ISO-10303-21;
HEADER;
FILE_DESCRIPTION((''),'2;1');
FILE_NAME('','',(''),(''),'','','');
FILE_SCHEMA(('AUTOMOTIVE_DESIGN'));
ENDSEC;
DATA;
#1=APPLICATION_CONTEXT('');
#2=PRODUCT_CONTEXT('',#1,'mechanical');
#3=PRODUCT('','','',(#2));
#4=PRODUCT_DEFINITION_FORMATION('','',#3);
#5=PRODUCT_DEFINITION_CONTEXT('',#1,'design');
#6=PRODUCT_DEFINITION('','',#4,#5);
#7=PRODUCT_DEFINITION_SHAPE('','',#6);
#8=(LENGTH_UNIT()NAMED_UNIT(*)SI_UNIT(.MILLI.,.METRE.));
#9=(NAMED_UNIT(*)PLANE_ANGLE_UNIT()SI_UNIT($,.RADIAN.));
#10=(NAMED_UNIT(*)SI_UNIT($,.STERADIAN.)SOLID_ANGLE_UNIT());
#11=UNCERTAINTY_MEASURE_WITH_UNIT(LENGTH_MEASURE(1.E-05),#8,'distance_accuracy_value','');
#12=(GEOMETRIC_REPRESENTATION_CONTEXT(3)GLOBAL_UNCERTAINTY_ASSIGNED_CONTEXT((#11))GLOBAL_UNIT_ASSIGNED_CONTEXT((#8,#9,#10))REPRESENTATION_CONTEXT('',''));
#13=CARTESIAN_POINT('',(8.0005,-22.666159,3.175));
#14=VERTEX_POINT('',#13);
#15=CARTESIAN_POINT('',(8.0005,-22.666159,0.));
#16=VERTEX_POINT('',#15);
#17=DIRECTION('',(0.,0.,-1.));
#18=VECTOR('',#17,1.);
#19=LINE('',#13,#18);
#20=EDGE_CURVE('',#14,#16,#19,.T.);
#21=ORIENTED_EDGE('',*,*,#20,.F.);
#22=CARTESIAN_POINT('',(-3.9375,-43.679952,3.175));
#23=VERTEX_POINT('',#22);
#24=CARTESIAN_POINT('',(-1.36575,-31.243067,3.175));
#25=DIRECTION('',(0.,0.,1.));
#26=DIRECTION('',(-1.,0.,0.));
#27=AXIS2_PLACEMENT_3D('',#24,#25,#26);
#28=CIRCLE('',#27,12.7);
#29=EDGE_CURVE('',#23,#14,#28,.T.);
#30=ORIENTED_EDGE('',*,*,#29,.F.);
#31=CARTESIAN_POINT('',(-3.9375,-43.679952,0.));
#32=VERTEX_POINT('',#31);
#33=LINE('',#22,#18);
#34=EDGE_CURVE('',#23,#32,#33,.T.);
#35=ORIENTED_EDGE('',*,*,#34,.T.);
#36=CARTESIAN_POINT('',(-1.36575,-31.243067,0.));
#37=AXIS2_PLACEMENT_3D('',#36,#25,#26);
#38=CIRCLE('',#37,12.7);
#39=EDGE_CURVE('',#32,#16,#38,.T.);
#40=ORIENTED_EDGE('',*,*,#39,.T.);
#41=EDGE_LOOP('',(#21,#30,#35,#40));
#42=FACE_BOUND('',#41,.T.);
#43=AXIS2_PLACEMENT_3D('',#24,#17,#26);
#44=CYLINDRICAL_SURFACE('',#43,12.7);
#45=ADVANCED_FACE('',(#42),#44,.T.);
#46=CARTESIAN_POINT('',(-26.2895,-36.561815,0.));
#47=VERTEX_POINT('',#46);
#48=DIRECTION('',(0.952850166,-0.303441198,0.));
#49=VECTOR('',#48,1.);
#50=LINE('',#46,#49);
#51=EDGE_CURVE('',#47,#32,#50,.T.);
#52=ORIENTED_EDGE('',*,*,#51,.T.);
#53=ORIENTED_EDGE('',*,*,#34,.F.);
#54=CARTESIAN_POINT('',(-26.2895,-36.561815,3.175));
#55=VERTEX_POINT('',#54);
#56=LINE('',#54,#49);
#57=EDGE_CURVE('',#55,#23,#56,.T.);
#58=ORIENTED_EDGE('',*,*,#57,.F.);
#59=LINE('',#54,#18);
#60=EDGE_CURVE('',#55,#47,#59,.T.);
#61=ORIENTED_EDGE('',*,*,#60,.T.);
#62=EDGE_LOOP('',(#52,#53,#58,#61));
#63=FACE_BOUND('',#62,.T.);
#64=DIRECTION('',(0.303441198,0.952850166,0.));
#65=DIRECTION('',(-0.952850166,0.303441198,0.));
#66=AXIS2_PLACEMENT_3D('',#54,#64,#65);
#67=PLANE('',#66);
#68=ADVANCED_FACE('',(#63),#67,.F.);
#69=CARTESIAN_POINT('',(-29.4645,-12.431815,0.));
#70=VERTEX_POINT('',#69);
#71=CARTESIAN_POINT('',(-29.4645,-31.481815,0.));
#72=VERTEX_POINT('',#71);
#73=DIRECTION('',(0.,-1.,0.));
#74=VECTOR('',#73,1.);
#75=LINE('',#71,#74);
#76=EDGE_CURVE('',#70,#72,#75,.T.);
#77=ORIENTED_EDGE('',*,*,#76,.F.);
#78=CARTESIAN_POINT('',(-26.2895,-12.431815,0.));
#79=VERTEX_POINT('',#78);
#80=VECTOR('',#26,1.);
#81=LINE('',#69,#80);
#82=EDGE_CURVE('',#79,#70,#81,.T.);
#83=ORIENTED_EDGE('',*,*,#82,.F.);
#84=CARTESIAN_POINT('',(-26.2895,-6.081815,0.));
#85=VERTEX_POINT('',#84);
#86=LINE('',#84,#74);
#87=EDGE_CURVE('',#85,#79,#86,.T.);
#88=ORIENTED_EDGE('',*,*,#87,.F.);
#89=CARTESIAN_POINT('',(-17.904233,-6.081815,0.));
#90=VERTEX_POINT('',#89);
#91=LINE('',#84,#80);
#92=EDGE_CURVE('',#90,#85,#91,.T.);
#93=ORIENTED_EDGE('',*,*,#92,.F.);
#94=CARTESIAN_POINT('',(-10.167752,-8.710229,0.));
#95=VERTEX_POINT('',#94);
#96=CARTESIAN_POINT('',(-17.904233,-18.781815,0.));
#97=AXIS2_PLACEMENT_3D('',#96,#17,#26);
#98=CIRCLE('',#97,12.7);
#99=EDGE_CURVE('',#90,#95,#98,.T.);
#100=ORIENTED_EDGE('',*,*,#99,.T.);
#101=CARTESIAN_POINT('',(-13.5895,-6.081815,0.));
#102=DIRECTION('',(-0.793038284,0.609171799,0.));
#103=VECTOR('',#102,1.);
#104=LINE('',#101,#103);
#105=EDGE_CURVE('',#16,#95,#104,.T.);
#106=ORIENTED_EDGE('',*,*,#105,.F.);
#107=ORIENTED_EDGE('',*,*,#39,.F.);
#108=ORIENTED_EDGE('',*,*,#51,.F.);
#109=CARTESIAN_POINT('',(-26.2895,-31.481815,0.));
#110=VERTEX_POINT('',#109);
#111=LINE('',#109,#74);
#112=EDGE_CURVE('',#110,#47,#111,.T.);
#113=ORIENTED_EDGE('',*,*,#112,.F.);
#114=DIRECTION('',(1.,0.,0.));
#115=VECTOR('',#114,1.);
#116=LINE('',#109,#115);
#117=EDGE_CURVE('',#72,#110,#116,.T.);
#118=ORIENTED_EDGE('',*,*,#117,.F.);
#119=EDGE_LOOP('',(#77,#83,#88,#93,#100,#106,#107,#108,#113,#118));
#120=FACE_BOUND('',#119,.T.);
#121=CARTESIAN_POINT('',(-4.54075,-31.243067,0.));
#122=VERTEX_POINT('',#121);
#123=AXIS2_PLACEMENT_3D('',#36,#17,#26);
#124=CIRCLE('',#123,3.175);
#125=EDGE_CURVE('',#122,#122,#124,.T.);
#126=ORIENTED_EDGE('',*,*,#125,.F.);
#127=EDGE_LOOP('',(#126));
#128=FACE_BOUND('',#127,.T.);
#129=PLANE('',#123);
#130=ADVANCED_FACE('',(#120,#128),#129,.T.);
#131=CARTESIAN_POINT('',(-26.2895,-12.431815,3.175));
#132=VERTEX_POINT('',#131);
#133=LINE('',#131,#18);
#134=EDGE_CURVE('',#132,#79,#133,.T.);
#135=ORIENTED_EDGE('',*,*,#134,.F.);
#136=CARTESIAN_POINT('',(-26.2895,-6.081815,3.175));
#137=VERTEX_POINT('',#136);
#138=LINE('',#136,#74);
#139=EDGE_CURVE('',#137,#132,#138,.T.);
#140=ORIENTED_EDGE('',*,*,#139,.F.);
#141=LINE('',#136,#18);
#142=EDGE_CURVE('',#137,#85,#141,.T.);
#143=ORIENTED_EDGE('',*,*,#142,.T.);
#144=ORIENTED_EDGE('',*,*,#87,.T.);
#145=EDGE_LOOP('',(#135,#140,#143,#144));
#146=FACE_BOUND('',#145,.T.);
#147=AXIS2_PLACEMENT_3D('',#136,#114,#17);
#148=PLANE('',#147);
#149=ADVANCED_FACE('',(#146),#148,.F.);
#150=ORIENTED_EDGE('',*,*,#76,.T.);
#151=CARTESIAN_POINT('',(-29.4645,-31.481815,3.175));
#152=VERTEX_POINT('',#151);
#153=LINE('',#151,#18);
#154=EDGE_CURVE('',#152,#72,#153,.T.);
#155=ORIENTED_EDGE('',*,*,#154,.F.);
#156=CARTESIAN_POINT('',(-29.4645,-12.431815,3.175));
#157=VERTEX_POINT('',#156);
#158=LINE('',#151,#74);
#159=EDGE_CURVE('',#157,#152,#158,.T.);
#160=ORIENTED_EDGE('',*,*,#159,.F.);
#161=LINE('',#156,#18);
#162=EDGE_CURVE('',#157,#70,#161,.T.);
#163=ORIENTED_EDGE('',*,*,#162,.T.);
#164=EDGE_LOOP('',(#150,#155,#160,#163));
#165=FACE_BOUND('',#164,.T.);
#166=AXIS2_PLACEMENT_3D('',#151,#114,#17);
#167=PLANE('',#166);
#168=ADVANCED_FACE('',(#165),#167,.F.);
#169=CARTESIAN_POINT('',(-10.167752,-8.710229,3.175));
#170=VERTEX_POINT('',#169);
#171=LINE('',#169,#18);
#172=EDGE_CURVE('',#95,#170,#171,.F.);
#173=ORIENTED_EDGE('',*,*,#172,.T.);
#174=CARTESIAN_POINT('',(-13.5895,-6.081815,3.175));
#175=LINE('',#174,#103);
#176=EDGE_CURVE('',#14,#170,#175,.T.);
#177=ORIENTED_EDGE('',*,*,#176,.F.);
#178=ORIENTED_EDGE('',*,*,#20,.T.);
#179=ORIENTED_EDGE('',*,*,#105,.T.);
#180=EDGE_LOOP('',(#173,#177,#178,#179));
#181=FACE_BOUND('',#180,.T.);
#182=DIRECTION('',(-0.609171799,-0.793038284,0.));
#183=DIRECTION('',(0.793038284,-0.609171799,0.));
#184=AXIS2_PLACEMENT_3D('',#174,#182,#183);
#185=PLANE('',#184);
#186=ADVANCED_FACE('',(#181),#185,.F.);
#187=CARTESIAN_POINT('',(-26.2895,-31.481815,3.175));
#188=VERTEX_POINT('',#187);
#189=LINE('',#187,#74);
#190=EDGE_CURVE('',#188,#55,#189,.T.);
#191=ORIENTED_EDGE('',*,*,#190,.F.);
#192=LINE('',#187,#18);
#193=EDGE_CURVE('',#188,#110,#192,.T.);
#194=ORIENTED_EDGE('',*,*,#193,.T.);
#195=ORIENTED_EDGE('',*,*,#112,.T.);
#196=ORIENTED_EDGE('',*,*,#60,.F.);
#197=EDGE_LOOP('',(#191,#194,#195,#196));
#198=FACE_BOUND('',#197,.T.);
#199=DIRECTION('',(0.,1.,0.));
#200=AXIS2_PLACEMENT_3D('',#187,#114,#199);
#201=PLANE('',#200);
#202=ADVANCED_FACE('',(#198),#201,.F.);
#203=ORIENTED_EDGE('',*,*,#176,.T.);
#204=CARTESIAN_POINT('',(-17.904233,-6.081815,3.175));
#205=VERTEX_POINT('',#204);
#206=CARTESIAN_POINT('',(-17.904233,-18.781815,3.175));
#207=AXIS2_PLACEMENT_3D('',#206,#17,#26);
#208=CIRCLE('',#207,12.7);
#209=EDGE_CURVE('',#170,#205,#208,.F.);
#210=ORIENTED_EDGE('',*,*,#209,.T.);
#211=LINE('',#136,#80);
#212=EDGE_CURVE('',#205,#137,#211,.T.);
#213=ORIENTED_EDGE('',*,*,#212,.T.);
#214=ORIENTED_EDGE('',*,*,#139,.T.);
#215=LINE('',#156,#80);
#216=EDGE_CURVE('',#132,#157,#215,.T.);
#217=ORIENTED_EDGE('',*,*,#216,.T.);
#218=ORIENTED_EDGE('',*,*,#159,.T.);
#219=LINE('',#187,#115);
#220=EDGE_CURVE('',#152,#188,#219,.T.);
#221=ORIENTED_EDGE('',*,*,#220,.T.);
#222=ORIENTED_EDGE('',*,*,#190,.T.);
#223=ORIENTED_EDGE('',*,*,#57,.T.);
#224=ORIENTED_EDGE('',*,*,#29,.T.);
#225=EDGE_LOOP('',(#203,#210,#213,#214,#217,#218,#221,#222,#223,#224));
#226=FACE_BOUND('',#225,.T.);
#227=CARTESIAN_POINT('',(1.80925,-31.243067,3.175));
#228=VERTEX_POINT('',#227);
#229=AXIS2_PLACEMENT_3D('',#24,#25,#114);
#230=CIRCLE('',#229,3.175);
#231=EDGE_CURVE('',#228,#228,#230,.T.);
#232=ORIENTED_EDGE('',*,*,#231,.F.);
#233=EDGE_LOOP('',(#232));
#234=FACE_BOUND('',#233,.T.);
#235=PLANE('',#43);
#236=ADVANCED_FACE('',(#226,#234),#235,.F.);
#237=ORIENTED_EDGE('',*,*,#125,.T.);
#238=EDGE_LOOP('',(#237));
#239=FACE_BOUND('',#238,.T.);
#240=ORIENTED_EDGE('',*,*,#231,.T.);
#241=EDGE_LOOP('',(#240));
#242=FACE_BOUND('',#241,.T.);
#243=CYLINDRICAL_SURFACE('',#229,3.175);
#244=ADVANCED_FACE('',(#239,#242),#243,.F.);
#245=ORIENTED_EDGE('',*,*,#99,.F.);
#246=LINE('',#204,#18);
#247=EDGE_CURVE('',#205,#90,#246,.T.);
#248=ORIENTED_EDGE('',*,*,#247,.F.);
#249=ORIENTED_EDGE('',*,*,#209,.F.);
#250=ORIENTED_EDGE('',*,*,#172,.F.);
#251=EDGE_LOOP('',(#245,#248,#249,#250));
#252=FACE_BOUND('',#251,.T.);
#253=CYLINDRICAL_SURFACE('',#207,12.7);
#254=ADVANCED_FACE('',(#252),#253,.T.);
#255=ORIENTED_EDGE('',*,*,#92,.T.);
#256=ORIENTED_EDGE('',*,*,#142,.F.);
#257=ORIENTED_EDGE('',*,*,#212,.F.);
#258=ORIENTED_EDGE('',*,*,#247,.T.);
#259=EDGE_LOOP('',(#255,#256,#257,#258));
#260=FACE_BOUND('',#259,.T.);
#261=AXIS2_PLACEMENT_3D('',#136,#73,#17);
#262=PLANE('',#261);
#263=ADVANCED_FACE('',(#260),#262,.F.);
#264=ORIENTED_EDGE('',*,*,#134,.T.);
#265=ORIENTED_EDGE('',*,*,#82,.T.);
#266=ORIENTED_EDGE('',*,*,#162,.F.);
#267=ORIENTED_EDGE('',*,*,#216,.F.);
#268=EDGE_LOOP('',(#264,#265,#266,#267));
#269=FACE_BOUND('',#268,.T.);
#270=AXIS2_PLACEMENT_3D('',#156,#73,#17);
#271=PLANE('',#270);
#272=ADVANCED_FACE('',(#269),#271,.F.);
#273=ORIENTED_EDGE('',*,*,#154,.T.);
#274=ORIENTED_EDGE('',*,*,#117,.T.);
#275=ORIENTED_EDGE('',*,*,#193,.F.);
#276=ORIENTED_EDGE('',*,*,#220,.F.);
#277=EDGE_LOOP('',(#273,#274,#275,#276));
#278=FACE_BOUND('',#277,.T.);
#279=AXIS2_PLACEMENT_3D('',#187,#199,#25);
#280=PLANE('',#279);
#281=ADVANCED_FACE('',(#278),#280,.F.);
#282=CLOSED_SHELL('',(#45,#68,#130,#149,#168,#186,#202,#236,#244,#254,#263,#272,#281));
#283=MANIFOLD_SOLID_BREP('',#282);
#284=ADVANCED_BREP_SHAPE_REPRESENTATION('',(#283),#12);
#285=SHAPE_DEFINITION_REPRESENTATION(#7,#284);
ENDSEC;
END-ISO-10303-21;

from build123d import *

# Parameters (mm, degrees)
BOSS_EXTRUDE1_DEPTH             = 3.175
F_1_4_0_25_DIAMETER_HOLE1_D     = 6.35
F_1_4_0_25_DIAMETER_HOLE1_DEPTH = 9.268267535
F_1_4_0_25_DIAMETER_HOLE1_TIP   = 1.907732465
FILLET1_R                       = 12.7


with BuildPart() as part:
    # Sketch1 → Boss-Extrude1 (new body)
    with BuildSketch(Plane.XY):
        with BuildLine():
            Line((-26.289500227, -31.481815247), (-29.464500227, -31.481815247))
            Line((-29.464500227, -31.481815247), (-29.464500227, -12.431815247))
            Line((-29.464500227, -12.431815247), (-26.289500227, -12.431815247))
            Line((-26.289500227, -12.431815247), (-26.289500227, -6.081815247))
            Line((-26.289500227, -6.081815247), (-13.589500227, -6.081815247))
            Line((-13.589500227, -6.081815247), (8.000499773, -22.666158546))
            ThreePointArc((8.000499773, -22.666158546), (9.676721644, -37.516329042), (-3.937500227, -43.67995187))
            Line((-3.937500227, -43.67995187), (-26.289500227, -36.561815247))
            Line((-26.289500227, -36.561815247), (-26.289500227, -31.481815247))
        make_face()
    extrude(amount=BOSS_EXTRUDE1_DEPTH)

    # 1/4 (0.25) Diameter Hole1
    with Locations(Plane.XY.offset(3.175)):
        with Locations((-1.365750227, -31.243067134)):
            Hole(F_1_4_0_25_DIAMETER_HOLE1_D / 2, depth=F_1_4_0_25_DIAMETER_HOLE1_DEPTH)
            with Locations((0, 0, -(F_1_4_0_25_DIAMETER_HOLE1_DEPTH + F_1_4_0_25_DIAMETER_HOLE1_TIP / 2))):  # 118° drill point
                Cone(0, F_1_4_0_25_DIAMETER_HOLE1_D / 2, F_1_4_0_25_DIAMETER_HOLE1_TIP, mode=Mode.SUBTRACT)

    # Fillet1
    fillet1_edges = [part.edges().sort_by_distance(p)[0] for p in [
        (-13.589500227, -6.081815247, 1.5875),
    ]]
    fillet(fillet1_edges, radius=FILLET1_R)


solid = part.part
